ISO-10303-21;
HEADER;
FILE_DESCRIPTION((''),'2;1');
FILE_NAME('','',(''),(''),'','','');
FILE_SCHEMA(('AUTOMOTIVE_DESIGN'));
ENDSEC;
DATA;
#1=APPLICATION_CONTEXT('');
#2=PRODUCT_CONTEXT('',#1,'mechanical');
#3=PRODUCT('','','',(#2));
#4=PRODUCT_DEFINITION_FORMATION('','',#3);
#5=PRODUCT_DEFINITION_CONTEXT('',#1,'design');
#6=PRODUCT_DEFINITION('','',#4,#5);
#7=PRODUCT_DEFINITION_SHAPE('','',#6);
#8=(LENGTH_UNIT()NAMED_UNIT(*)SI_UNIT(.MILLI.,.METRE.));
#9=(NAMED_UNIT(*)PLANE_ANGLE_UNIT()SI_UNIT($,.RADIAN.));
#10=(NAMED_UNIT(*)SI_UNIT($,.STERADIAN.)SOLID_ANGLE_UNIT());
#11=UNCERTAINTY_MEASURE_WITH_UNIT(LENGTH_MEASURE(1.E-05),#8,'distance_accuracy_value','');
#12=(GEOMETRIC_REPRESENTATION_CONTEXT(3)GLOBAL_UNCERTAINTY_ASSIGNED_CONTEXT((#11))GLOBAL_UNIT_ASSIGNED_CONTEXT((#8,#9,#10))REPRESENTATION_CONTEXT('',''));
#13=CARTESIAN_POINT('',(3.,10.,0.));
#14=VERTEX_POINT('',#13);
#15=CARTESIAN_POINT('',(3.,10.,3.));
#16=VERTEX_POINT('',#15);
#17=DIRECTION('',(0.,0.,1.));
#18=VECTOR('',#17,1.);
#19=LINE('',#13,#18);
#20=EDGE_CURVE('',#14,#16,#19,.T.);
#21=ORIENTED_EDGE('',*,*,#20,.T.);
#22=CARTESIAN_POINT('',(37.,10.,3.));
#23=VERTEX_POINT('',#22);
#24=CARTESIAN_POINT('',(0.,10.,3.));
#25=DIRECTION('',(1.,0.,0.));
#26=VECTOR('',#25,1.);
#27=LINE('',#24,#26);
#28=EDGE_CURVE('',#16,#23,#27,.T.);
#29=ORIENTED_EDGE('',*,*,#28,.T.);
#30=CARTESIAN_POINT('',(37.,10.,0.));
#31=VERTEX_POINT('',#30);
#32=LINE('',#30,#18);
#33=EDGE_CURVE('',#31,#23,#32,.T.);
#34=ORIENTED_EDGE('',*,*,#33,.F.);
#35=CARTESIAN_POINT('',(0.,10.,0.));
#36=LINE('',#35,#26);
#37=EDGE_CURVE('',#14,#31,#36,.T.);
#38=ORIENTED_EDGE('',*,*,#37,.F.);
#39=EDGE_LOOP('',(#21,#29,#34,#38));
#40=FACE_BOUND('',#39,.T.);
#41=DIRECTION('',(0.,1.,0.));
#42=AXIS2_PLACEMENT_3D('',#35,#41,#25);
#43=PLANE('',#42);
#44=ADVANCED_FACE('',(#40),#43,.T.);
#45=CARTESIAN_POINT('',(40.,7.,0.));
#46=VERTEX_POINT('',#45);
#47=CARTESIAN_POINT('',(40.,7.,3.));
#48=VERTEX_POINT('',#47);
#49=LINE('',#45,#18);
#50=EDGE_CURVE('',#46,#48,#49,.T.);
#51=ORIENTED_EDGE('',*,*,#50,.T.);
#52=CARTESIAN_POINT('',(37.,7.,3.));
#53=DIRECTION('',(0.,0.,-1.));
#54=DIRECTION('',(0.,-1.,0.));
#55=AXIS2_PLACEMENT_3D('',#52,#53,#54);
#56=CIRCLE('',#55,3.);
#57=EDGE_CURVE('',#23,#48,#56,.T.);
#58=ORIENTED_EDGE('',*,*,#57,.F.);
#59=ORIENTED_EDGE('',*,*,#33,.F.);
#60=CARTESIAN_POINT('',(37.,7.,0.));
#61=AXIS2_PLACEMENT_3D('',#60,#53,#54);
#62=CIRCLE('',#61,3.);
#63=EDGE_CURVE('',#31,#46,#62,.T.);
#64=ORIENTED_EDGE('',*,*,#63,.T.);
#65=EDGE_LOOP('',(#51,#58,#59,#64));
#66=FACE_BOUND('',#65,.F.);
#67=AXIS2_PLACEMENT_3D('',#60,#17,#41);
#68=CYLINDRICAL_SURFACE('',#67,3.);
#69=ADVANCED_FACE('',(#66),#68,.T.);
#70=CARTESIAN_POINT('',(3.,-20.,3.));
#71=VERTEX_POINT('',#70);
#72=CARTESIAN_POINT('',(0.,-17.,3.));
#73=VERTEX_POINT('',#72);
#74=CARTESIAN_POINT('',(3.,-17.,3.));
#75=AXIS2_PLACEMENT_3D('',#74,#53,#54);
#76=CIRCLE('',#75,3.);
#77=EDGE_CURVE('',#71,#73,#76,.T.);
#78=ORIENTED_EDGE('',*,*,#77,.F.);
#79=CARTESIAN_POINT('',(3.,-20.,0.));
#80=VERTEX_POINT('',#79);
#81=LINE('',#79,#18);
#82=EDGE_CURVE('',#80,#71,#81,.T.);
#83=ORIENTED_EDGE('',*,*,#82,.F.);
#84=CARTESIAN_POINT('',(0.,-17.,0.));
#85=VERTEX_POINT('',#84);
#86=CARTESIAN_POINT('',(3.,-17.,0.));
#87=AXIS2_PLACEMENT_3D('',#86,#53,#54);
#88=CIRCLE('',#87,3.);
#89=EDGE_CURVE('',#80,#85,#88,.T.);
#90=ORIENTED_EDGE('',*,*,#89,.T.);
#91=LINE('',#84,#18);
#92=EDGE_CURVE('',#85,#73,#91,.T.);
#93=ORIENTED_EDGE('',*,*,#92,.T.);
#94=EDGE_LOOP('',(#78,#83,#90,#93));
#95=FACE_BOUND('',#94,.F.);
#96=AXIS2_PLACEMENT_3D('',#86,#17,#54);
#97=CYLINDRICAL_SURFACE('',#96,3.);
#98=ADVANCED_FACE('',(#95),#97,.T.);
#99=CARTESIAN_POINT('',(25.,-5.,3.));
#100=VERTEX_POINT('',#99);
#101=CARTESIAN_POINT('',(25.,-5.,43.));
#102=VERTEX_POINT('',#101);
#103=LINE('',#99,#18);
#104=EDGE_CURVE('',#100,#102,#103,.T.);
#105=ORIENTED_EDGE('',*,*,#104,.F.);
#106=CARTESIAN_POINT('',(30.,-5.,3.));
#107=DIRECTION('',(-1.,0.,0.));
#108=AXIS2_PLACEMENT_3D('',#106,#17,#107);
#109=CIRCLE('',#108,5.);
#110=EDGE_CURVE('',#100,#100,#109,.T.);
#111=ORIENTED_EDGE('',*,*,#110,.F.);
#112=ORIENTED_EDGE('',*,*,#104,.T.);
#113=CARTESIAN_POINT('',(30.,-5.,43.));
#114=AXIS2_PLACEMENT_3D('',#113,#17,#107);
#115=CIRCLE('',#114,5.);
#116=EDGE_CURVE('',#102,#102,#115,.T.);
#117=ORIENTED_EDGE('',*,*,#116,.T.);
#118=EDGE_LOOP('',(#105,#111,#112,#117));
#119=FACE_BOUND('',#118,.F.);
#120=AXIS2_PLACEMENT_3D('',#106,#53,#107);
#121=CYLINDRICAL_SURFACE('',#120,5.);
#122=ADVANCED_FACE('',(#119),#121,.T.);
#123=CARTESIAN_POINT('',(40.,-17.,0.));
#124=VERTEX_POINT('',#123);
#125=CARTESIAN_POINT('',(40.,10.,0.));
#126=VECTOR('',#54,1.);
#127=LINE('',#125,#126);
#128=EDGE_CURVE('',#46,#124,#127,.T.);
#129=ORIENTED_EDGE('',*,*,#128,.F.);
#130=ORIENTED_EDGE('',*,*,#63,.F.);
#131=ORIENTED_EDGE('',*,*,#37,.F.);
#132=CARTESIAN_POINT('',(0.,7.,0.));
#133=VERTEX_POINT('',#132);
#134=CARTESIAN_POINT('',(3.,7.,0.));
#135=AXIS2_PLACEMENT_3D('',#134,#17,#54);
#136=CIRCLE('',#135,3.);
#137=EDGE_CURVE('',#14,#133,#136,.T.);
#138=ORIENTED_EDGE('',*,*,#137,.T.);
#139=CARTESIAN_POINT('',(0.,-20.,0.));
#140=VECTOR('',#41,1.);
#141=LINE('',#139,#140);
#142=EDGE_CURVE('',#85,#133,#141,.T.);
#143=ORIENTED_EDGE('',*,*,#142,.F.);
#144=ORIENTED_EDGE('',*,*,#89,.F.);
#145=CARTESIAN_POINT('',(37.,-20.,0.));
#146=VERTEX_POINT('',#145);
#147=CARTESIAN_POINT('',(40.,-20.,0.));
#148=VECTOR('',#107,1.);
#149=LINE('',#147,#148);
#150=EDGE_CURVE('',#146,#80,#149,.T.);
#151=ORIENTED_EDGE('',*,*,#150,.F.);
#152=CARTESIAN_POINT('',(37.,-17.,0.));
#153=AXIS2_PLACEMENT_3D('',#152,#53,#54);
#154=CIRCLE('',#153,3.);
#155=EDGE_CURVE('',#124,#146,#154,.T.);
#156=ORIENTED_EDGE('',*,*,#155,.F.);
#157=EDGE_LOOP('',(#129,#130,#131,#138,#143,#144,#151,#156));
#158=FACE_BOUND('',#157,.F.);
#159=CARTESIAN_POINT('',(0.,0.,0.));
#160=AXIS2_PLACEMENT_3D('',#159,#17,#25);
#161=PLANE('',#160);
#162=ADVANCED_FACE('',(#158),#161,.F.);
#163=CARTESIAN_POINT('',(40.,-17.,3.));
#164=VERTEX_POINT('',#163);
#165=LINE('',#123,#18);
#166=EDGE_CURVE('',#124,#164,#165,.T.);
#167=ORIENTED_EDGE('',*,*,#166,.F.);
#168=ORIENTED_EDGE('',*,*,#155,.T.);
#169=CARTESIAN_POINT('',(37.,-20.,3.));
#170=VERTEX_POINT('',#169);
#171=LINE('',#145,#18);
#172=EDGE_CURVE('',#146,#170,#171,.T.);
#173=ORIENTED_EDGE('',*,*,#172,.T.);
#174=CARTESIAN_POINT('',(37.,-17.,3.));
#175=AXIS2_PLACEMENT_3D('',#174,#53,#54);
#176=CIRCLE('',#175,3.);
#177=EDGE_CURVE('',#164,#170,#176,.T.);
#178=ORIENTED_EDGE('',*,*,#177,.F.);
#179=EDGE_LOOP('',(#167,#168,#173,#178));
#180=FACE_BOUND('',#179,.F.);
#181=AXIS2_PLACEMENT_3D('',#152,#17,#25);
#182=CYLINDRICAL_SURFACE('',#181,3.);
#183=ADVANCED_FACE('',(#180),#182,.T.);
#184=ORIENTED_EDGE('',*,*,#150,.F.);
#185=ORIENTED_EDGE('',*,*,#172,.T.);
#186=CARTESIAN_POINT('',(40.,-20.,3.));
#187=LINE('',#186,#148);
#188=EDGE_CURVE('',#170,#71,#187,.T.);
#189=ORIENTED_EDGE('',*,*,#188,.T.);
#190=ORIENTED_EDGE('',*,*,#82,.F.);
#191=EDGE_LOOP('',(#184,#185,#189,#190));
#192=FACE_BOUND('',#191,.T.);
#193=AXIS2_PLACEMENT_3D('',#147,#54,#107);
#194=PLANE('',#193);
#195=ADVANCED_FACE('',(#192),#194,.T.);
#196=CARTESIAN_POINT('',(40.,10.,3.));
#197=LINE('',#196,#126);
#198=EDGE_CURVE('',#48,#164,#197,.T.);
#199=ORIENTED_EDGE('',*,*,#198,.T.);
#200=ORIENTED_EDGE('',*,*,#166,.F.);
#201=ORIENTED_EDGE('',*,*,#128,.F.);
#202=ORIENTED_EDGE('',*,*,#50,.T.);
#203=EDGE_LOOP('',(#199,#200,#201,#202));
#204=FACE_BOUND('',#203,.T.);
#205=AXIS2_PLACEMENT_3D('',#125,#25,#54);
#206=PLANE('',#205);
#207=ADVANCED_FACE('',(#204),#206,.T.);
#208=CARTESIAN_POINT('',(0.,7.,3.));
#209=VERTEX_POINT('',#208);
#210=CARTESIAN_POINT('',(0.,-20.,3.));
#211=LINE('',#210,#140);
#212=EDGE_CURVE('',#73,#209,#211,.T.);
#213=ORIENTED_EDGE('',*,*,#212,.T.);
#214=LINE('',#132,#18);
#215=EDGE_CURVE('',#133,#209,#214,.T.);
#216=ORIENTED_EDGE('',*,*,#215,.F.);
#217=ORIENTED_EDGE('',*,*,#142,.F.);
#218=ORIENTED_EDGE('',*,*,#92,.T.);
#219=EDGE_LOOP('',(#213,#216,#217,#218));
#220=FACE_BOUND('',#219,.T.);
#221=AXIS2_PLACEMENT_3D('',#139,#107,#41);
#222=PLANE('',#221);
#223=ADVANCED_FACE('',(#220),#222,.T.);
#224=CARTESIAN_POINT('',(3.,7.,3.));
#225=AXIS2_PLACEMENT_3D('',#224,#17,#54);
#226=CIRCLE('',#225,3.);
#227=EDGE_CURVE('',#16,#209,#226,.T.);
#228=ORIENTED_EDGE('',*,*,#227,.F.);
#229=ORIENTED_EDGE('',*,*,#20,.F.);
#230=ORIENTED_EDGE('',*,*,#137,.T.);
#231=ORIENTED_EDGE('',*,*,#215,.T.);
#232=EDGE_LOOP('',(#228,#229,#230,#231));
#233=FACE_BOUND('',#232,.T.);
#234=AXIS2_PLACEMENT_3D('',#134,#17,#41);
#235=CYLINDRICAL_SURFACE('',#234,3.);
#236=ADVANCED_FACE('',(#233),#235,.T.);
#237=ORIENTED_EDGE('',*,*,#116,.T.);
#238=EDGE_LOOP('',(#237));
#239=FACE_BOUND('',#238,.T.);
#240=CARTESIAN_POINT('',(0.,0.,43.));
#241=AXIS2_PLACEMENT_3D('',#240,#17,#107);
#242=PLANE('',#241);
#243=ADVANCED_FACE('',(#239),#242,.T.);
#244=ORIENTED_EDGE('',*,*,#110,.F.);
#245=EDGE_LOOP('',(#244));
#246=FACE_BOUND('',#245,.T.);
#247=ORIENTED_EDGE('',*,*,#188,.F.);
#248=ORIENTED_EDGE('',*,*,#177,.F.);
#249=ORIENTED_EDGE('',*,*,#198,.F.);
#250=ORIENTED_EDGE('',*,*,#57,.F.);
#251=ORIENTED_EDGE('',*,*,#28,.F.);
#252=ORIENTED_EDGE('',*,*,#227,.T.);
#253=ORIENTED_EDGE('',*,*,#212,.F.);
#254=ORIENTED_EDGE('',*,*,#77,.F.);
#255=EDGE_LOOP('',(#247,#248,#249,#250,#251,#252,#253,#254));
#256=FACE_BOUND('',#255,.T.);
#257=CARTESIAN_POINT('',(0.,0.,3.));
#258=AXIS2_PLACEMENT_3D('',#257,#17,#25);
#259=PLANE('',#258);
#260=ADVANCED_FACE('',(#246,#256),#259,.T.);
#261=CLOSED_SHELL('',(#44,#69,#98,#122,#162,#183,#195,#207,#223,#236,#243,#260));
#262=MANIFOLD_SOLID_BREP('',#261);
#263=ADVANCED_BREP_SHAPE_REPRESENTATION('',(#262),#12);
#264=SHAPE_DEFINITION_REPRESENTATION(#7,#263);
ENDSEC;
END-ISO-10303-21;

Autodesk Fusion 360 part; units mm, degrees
sketch "Skizze1" plane through (0, 0, 0) normal (0, 0, 1) x (1, 0, 0)
  line L0 (0, 10) -> (40, 10)
  line L1 (40, 10) -> (40, -20)
  line L2 (40, -20) -> (0, -20)
  line L3 (0, -20) -> (0, 10)
  dimension "d1" = 40
  dimension "d2" = 30
extrude "Extrusion1" add sketch "Skizze1" along normal blind 3
fillet "Abrundung1" radius 3 4 edges at (0, -20, 1.5) (40, -20, 1.5) (40, 10, 1.5) (0, 10, 1.5)
sketch "Skizze2" plane through (0, 0, 3) normal (0, 0, 1) x (-1, 0, 0)
  arc A0 (-3, -10) -> (0, -7) centre (-3, -7) ccw
  line L0 (0, -7) -> (0, 17)
  arc A1 (0, 17) -> (-3, 20) centre (-3, 17) ccw
  line L1 (-3, 20) -> (-37, 20)
  arc A2 (-37, 20) -> (-40, 17) centre (-37, 17) ccw
  line L2 (-40, 17) -> (-40, -7)
  arc A3 (-40, -7) -> (-37, -10) centre (-37, -7) ccw
  line L3 (-37, -10) -> (-3, -10)
  circle A4 centre (-30, 5) radius 5
extrude "Extrusion2" add sketch "Skizze2" along normal blind 40 contours A4
